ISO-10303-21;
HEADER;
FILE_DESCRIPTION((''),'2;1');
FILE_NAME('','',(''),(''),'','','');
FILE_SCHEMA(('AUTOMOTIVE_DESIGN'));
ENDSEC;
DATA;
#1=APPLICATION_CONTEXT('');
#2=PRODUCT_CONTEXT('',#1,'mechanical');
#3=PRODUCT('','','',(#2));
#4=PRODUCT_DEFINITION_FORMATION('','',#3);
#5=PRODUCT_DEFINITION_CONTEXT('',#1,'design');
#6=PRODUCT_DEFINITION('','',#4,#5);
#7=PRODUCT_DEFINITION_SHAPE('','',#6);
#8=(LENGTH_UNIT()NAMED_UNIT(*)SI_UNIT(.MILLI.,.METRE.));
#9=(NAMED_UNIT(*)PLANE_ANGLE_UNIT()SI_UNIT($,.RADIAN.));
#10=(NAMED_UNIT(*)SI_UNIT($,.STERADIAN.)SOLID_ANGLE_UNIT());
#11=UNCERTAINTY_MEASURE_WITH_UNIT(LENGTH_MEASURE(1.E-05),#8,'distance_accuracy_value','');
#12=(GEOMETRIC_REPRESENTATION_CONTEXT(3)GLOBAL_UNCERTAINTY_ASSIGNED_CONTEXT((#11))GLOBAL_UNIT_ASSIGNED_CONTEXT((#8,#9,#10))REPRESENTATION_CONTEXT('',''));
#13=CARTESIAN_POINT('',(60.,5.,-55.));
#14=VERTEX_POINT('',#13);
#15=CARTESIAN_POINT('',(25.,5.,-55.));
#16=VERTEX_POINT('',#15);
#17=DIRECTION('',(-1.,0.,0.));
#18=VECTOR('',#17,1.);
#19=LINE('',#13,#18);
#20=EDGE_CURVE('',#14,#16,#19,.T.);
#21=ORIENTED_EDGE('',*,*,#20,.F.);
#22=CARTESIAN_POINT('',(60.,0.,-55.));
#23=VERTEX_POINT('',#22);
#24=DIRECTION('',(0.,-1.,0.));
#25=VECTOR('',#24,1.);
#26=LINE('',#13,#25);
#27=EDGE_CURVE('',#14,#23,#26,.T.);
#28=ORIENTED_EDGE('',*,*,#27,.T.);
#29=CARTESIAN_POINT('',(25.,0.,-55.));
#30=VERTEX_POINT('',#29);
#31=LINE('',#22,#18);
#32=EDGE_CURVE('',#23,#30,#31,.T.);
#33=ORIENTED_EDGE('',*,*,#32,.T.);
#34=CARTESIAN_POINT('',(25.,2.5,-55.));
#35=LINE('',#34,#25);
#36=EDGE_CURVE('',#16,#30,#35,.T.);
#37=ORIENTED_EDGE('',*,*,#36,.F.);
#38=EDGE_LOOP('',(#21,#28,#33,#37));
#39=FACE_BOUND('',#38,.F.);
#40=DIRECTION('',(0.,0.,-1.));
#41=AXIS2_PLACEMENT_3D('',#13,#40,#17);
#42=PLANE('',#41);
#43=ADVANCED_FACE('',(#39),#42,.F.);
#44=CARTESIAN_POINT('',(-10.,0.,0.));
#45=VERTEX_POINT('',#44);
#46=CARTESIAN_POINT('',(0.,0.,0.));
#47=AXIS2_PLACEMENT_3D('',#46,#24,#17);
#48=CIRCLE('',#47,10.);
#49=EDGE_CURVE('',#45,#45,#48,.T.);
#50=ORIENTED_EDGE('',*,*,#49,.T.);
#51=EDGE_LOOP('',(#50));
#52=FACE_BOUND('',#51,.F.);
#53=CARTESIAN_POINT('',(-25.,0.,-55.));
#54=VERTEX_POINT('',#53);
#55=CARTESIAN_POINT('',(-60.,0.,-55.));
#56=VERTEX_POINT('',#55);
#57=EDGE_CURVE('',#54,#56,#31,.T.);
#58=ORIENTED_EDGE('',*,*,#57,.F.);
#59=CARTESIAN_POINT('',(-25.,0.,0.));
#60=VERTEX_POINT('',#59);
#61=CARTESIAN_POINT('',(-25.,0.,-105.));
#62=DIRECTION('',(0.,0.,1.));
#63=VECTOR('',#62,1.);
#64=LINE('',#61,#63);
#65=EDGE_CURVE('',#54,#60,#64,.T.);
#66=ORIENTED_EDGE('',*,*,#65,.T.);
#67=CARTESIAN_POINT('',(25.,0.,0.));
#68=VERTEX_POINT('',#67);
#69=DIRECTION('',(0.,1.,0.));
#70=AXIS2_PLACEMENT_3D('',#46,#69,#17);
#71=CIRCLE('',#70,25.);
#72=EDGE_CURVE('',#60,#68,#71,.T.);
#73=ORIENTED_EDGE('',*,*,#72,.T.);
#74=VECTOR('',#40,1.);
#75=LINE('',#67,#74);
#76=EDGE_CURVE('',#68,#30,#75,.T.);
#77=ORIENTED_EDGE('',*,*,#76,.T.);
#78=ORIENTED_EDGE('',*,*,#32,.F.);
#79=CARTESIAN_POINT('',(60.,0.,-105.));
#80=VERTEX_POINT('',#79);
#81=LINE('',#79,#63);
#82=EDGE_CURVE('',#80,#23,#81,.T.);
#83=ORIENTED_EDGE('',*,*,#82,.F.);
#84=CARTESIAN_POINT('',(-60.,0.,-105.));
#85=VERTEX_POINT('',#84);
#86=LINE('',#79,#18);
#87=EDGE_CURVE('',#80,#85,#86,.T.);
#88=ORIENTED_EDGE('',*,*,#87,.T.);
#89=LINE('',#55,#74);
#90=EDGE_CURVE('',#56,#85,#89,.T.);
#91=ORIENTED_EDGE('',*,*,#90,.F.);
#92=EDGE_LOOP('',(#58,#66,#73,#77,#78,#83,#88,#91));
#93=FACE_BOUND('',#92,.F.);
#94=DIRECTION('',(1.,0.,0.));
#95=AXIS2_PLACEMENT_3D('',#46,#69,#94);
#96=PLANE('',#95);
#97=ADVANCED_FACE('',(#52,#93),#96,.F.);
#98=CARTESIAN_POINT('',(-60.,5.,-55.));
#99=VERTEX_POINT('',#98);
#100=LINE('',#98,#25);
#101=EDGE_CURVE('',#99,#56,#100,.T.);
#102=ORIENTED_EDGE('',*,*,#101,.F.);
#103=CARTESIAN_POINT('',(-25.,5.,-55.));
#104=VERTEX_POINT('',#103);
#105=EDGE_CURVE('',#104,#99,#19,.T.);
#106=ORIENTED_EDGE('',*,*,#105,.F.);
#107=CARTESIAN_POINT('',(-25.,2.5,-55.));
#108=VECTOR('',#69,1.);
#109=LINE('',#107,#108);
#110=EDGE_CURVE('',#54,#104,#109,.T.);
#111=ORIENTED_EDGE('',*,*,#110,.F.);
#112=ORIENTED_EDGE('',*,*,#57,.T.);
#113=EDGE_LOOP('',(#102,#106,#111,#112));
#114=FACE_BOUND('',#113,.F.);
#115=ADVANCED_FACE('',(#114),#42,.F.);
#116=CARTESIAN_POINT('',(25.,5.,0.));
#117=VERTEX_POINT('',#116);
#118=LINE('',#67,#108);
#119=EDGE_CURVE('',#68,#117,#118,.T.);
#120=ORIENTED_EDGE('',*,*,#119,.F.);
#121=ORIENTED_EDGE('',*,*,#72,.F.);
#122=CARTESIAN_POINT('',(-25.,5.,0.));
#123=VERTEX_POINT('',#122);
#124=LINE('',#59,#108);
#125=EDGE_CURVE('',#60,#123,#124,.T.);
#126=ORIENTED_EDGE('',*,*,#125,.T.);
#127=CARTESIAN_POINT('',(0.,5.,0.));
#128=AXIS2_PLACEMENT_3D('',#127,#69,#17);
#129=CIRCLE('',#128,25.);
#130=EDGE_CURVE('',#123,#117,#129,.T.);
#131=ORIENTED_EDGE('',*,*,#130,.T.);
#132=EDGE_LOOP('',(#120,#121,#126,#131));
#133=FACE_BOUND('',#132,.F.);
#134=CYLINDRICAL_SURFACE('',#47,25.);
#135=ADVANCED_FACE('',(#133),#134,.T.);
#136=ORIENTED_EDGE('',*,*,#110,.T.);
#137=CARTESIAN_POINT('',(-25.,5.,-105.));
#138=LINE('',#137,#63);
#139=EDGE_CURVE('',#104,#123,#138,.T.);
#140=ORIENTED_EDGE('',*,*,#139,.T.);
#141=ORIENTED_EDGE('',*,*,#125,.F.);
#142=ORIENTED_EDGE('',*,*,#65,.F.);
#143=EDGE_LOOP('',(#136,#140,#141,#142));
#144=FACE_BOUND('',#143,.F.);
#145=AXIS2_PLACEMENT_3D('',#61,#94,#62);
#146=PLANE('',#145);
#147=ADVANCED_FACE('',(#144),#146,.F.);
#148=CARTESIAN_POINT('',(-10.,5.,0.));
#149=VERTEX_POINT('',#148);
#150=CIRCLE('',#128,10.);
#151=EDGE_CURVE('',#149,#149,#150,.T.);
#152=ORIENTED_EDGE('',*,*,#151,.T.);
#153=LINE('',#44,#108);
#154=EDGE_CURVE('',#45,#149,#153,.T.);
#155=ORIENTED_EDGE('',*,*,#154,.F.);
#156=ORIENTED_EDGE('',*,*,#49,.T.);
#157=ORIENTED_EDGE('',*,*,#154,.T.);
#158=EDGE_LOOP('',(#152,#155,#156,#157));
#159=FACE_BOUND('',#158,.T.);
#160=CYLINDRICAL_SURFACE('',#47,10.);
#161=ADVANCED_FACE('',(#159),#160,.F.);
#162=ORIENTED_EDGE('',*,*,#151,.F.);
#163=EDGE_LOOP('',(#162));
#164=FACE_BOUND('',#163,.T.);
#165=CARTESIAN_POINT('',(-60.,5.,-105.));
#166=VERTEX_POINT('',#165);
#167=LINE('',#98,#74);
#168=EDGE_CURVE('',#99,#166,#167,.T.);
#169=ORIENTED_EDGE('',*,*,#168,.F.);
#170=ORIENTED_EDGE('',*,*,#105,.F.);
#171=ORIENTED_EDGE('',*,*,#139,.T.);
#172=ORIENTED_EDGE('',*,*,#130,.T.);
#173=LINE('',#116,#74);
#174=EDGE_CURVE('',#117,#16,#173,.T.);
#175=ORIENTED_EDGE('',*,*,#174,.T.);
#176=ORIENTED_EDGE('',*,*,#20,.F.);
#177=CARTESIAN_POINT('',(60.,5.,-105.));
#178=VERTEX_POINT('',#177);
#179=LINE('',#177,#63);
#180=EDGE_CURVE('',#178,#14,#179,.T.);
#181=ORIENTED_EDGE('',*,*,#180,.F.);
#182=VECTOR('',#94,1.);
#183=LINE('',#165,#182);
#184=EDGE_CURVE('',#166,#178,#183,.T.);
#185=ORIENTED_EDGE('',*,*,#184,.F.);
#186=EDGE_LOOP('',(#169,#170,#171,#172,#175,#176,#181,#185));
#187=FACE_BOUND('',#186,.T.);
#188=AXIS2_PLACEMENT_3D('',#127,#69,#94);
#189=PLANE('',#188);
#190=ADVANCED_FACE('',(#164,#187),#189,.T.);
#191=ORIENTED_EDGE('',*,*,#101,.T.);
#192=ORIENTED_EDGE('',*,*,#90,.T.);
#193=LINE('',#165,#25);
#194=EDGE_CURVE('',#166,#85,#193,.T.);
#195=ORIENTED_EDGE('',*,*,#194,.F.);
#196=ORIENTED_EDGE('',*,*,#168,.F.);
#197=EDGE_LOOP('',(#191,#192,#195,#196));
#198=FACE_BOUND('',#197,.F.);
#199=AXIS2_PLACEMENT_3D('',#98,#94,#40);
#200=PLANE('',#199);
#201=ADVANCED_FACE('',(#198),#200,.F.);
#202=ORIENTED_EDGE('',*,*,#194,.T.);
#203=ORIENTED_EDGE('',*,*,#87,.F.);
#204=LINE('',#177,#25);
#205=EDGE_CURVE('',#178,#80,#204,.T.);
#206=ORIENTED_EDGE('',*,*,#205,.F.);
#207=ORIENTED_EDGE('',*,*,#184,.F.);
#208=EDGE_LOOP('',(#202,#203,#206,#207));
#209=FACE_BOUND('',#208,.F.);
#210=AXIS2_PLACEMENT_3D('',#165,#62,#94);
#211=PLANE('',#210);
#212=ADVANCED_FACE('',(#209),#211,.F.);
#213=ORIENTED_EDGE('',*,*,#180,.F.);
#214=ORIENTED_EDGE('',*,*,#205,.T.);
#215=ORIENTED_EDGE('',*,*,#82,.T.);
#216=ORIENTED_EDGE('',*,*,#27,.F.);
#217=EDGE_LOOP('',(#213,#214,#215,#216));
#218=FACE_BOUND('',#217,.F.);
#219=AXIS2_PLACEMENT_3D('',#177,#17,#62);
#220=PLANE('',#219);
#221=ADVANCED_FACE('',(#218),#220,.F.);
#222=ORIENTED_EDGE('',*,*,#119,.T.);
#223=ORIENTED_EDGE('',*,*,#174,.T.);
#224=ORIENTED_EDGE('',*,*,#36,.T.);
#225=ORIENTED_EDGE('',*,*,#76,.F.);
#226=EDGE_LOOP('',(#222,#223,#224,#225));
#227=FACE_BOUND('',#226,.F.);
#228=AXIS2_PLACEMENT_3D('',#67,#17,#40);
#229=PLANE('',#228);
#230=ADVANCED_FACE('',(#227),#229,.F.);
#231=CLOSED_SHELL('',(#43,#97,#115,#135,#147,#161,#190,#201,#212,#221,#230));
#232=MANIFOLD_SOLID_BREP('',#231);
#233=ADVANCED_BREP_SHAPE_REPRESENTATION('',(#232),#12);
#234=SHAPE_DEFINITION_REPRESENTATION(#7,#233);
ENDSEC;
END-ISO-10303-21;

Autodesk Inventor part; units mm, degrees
ref_plane "YZ Plane" through (0, 0, 0) normal (1, 0, 0) x (0, 1, 0)
ref_plane "XZ Plane" through (0, 0, 0) normal (0, 1, 0) x (-1, 0, 0)
ref_plane "XY Plane" through (0, 0, 0) normal (0, 0, 1) x (1, 0, 0)
sketch "スケッチ1" plane through (0, 0, 0) normal (0, 1, 0) x (-1, 0, 0)
  line L0 (25, 0) -> (-25, 0)
  line L1 (-25, 0) -> (-25, -105)
  line L2 (-25, -105) -> (25, -105)
  line L3 (25, -105) -> (25, 0)
  circle A0 centre (0, 0) radius 25
  circle A1 centre (0, 0) radius 57 construction
  circle A2 centre (0, 0) radius 75 construction
  circle A3 centre (0, 0) radius 10
  dimension "d0" = 114
  dimension "d2" = 150
  dimension "d4" = 20
  dimension "d5" = 50
  dimension "d28" = 105
extrude "押し出し1" add sketch "スケッチ1" along normal blind 5 contours A0 L0 A3 | L0 A3 A0 | L3 L2 L1 A0
sketch "スケッチ4" plane through (0, 5, 0) normal (0, 1, 0) x (1, 0, 0)
  line L0 (-60, 105) -> (60, 105)
  line L1 (60, 105) -> (60, 55)
  line L2 (60, 55) -> (-60, 55)
  line L3 (-60, 55) -> (-60, 105)
  line L4 (25, 105) -> (-25, 105) projected
  point P0 (0, 0)
  point P1 (0, 105)
  dimension "d24" = 50
  dimension "d25" = 120
extrude "押し出し4" add sketch "スケッチ4" against normal up to surface (5 mm away)
properties part number "ギアプレート_ギアなし"
